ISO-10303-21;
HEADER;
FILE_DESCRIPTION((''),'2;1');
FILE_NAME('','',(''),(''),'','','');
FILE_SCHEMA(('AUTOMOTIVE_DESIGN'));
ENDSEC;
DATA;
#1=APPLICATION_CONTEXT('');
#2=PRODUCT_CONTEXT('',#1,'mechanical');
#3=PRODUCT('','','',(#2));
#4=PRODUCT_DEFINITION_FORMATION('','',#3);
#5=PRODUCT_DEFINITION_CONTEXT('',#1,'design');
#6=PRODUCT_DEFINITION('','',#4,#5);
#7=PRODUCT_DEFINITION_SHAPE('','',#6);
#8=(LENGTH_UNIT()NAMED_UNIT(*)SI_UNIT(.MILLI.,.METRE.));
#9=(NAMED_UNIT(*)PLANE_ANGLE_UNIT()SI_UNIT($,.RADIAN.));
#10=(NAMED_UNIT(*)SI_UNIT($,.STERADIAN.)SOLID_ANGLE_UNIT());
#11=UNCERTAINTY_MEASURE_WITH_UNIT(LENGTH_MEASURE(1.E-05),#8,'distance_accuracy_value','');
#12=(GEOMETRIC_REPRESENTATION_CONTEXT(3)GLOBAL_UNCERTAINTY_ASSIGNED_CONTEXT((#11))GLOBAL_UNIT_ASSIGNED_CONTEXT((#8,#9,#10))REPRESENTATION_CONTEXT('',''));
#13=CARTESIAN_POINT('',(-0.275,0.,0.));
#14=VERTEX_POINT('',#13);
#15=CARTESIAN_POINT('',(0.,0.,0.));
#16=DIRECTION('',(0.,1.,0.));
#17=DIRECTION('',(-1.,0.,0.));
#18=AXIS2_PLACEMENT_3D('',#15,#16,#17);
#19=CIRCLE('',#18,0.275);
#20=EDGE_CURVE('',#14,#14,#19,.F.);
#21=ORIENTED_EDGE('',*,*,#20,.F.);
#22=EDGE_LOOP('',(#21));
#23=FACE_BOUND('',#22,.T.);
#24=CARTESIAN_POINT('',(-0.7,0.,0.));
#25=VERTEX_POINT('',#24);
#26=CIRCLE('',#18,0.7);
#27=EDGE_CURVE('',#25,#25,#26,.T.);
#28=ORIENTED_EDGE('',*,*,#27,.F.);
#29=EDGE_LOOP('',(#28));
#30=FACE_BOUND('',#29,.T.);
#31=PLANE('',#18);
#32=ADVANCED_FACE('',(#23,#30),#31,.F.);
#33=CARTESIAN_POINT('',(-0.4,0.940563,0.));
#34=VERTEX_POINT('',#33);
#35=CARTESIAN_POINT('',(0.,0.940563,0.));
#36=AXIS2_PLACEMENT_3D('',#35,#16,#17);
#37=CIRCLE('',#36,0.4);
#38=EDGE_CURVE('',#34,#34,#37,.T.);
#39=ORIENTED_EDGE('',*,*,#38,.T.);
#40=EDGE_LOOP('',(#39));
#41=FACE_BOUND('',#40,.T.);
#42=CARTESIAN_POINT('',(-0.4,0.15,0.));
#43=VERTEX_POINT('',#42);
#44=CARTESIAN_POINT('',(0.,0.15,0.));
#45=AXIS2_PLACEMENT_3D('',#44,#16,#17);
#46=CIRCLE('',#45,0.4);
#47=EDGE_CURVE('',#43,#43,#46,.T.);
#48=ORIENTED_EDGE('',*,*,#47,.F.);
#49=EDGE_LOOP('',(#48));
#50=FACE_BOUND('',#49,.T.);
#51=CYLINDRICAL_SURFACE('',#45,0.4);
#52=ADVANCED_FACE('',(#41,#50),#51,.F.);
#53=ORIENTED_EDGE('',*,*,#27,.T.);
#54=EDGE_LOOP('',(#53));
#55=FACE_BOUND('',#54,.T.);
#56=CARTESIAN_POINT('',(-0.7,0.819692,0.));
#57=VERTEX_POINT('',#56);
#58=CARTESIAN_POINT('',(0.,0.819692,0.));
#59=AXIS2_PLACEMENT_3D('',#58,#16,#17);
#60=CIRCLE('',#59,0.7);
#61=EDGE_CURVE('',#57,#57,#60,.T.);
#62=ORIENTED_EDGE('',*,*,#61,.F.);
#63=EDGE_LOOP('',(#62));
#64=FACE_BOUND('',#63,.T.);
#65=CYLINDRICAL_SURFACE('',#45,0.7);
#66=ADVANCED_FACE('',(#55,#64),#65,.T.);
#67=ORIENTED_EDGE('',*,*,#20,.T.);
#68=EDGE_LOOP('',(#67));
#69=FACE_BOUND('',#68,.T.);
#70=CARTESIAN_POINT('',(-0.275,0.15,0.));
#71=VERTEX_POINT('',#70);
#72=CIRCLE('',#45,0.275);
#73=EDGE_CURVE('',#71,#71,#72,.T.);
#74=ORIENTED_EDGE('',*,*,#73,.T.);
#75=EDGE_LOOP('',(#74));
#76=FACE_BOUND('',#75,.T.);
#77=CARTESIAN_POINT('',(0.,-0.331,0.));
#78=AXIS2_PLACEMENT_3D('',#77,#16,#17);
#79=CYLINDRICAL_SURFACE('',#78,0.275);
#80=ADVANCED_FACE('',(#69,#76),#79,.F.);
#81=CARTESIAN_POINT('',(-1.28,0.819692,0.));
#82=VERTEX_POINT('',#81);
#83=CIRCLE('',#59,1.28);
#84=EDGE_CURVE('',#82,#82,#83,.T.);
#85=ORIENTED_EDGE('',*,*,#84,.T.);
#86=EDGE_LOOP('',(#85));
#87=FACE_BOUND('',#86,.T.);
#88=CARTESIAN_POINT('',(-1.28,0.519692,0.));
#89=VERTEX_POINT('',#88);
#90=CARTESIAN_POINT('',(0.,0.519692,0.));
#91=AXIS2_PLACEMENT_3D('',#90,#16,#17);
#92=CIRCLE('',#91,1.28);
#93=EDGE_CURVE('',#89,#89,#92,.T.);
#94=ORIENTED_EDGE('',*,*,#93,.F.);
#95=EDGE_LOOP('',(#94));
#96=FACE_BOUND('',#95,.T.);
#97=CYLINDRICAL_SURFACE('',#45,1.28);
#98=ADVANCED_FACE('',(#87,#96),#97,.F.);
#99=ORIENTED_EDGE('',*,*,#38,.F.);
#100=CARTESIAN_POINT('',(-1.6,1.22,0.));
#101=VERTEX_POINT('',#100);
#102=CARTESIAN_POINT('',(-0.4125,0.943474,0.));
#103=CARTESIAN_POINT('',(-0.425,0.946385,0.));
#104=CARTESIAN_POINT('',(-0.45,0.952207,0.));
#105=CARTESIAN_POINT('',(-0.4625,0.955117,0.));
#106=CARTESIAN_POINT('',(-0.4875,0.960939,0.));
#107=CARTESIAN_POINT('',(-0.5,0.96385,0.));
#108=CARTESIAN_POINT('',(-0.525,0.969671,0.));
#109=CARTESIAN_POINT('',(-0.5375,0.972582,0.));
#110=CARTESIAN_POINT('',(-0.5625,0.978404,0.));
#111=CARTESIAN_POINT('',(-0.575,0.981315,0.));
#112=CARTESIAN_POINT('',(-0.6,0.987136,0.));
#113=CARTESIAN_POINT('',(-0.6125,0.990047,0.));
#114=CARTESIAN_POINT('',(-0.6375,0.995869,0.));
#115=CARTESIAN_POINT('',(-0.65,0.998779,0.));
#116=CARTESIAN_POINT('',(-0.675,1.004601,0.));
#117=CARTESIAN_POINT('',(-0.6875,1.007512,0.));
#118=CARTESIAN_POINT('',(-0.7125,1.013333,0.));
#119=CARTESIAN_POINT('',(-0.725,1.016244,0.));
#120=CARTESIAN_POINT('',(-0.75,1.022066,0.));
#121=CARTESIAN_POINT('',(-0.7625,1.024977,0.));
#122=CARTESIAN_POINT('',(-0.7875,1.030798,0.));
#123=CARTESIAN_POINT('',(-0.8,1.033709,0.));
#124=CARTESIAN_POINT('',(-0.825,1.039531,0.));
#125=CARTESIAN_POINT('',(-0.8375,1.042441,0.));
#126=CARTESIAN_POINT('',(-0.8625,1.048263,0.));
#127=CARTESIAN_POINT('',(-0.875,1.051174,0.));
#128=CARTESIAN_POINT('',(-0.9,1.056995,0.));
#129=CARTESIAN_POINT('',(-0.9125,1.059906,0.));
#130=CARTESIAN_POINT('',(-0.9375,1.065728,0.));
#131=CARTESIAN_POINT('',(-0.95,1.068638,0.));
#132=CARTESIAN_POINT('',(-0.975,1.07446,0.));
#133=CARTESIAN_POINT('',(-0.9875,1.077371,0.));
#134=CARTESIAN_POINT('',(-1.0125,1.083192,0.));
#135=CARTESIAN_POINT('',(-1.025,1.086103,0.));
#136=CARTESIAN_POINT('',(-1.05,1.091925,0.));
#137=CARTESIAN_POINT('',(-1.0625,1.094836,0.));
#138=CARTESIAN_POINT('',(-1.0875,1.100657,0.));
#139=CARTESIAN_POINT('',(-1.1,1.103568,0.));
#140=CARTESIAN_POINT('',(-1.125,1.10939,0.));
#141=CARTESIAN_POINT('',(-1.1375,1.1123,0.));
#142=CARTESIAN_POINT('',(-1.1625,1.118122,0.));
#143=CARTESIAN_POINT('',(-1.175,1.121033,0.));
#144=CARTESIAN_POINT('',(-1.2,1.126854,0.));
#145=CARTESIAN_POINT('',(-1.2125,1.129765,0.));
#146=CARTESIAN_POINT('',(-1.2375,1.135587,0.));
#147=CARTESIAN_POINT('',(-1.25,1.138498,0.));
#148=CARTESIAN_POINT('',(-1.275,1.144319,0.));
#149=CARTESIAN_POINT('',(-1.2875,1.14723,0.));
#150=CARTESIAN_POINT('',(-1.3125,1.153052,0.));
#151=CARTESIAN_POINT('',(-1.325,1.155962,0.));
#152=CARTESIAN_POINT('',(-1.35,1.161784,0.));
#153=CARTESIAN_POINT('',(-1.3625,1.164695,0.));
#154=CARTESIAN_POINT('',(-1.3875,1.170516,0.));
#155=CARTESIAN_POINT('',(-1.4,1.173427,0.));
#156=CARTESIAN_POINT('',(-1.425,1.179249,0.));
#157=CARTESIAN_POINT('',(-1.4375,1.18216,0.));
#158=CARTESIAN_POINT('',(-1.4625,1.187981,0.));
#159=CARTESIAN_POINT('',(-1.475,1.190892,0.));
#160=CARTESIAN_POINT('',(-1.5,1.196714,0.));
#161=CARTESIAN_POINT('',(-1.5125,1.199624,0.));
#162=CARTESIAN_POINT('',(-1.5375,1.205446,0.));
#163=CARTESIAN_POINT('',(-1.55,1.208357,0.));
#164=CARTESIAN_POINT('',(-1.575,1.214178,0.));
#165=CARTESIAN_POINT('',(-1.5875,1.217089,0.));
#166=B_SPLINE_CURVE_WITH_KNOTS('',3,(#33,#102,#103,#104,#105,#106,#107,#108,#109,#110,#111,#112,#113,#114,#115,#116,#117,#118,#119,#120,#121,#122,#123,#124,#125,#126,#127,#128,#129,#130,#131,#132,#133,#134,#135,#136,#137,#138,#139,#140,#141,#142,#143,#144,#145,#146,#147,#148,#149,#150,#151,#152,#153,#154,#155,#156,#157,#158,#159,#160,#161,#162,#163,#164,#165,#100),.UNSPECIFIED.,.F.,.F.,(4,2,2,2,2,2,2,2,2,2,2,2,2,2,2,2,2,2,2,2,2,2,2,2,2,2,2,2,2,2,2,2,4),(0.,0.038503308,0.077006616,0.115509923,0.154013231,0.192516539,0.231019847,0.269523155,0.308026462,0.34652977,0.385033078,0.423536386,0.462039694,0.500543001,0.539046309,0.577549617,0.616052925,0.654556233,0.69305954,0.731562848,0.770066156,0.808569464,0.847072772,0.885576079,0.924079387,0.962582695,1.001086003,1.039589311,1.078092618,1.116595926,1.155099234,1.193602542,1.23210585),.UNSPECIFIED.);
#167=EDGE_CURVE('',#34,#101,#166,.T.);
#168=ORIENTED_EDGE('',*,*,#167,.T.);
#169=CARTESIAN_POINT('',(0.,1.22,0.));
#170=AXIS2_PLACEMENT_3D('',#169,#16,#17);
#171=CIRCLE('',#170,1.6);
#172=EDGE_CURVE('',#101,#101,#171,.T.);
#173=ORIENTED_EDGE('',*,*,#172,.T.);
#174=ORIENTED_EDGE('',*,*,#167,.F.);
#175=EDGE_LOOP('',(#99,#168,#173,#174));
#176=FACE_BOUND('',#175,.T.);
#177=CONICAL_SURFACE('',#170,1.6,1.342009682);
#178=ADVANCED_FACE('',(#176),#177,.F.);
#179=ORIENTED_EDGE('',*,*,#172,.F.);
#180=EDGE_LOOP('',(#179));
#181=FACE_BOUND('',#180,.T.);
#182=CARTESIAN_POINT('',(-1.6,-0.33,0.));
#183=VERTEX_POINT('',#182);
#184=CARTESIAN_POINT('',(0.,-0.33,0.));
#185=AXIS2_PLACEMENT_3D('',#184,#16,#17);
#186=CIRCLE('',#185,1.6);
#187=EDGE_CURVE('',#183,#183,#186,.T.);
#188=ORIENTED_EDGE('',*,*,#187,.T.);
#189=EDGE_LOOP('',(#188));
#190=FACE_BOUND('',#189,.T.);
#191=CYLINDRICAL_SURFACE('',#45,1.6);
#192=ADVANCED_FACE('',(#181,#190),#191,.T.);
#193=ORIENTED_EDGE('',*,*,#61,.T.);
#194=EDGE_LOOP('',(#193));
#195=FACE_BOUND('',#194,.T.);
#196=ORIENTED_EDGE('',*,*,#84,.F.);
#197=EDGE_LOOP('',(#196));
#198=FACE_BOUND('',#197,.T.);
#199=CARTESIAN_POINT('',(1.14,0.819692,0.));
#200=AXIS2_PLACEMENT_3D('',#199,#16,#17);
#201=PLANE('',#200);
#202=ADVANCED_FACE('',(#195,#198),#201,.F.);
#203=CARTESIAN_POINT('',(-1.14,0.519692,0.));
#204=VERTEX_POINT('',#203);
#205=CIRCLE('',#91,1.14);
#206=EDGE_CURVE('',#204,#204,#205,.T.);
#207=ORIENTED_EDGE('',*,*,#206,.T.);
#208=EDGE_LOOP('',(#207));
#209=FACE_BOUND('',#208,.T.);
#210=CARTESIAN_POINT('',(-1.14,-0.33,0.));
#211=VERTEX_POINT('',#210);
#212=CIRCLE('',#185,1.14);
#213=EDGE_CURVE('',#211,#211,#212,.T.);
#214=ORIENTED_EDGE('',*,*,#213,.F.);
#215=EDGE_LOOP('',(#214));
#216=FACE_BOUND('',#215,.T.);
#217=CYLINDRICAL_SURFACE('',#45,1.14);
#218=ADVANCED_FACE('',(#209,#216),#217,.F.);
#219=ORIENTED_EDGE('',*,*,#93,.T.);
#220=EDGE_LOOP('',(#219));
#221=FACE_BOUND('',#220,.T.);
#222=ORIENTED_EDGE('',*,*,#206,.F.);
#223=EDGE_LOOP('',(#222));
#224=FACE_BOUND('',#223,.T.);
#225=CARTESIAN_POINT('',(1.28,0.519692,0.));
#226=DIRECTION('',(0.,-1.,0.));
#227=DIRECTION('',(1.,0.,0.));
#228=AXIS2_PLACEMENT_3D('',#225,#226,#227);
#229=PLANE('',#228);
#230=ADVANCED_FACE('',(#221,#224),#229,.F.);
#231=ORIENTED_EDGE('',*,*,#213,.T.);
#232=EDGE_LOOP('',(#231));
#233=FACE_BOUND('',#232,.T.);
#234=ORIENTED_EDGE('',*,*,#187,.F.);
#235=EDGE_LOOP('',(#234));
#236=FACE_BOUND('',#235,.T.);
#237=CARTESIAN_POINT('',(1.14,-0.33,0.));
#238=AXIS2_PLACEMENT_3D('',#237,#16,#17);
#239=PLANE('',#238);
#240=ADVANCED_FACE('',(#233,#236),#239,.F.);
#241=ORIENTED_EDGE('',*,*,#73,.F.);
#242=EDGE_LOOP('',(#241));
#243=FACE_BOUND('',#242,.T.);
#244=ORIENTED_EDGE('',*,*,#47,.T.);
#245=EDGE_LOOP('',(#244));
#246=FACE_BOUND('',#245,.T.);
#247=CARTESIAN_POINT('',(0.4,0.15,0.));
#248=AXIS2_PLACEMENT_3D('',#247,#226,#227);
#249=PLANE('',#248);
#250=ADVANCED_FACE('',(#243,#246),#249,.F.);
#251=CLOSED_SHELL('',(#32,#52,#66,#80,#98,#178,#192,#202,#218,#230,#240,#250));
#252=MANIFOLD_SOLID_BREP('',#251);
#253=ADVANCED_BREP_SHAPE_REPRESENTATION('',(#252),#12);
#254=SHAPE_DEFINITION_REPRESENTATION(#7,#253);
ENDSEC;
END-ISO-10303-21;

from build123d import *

# Parameters (mm, degrees)
CUT_EXTRUDE_1_REACH = 4.503
SKETCH_2_R          = 0.275


with BuildPart() as part:
    # 草图1 → 旋转1 (revolve)
    with BuildSketch(Plane.XY, mode=Mode.PRIVATE) as revolve_1_sk:
        Polygon((0, 0), (0.7, 0), (0.7, 0.819692267), (1.14, 0.819692267), (1.28, 0.819692267), (1.28, 0.519692267), (1.14, 0.519692267), (1.14, -0.33), (1.6, -0.33), (1.6, 1.22), (0.4, 0.94056338), (0.4, 0.15), (0, 0.15), align=None)
    revolve(revolve_1_sk.sketch.rotate(Axis((0, 0.15, 0), (0, -1, 0)), 180), axis=Axis((0, 0.15, 0), (0, -1, 0)))

    # 草图2 → 切除-拉伸1 (cut, up to next)
    with BuildSketch(Plane(origin=(0, 0.15, 0), x_dir=(1, 0, 0), z_dir=(0, 1, 0)), mode=Mode.PRIVATE) as cut_extrude_1_sk1:
        with Locations(Location((0, 0, 0), (0, 0, 180))):
            Circle(SKETCH_2_R)
    cut_extrude_1_tool1 = extrude(cut_extrude_1_sk1.sketch, amount=-CUT_EXTRUDE_1_REACH, mode=Mode.PRIVATE) & part.part
    add(cut_extrude_1_tool1.solids().sort_by_distance((0, 0.15, 0))[0], mode=Mode.SUBTRACT)


solid = part.part
